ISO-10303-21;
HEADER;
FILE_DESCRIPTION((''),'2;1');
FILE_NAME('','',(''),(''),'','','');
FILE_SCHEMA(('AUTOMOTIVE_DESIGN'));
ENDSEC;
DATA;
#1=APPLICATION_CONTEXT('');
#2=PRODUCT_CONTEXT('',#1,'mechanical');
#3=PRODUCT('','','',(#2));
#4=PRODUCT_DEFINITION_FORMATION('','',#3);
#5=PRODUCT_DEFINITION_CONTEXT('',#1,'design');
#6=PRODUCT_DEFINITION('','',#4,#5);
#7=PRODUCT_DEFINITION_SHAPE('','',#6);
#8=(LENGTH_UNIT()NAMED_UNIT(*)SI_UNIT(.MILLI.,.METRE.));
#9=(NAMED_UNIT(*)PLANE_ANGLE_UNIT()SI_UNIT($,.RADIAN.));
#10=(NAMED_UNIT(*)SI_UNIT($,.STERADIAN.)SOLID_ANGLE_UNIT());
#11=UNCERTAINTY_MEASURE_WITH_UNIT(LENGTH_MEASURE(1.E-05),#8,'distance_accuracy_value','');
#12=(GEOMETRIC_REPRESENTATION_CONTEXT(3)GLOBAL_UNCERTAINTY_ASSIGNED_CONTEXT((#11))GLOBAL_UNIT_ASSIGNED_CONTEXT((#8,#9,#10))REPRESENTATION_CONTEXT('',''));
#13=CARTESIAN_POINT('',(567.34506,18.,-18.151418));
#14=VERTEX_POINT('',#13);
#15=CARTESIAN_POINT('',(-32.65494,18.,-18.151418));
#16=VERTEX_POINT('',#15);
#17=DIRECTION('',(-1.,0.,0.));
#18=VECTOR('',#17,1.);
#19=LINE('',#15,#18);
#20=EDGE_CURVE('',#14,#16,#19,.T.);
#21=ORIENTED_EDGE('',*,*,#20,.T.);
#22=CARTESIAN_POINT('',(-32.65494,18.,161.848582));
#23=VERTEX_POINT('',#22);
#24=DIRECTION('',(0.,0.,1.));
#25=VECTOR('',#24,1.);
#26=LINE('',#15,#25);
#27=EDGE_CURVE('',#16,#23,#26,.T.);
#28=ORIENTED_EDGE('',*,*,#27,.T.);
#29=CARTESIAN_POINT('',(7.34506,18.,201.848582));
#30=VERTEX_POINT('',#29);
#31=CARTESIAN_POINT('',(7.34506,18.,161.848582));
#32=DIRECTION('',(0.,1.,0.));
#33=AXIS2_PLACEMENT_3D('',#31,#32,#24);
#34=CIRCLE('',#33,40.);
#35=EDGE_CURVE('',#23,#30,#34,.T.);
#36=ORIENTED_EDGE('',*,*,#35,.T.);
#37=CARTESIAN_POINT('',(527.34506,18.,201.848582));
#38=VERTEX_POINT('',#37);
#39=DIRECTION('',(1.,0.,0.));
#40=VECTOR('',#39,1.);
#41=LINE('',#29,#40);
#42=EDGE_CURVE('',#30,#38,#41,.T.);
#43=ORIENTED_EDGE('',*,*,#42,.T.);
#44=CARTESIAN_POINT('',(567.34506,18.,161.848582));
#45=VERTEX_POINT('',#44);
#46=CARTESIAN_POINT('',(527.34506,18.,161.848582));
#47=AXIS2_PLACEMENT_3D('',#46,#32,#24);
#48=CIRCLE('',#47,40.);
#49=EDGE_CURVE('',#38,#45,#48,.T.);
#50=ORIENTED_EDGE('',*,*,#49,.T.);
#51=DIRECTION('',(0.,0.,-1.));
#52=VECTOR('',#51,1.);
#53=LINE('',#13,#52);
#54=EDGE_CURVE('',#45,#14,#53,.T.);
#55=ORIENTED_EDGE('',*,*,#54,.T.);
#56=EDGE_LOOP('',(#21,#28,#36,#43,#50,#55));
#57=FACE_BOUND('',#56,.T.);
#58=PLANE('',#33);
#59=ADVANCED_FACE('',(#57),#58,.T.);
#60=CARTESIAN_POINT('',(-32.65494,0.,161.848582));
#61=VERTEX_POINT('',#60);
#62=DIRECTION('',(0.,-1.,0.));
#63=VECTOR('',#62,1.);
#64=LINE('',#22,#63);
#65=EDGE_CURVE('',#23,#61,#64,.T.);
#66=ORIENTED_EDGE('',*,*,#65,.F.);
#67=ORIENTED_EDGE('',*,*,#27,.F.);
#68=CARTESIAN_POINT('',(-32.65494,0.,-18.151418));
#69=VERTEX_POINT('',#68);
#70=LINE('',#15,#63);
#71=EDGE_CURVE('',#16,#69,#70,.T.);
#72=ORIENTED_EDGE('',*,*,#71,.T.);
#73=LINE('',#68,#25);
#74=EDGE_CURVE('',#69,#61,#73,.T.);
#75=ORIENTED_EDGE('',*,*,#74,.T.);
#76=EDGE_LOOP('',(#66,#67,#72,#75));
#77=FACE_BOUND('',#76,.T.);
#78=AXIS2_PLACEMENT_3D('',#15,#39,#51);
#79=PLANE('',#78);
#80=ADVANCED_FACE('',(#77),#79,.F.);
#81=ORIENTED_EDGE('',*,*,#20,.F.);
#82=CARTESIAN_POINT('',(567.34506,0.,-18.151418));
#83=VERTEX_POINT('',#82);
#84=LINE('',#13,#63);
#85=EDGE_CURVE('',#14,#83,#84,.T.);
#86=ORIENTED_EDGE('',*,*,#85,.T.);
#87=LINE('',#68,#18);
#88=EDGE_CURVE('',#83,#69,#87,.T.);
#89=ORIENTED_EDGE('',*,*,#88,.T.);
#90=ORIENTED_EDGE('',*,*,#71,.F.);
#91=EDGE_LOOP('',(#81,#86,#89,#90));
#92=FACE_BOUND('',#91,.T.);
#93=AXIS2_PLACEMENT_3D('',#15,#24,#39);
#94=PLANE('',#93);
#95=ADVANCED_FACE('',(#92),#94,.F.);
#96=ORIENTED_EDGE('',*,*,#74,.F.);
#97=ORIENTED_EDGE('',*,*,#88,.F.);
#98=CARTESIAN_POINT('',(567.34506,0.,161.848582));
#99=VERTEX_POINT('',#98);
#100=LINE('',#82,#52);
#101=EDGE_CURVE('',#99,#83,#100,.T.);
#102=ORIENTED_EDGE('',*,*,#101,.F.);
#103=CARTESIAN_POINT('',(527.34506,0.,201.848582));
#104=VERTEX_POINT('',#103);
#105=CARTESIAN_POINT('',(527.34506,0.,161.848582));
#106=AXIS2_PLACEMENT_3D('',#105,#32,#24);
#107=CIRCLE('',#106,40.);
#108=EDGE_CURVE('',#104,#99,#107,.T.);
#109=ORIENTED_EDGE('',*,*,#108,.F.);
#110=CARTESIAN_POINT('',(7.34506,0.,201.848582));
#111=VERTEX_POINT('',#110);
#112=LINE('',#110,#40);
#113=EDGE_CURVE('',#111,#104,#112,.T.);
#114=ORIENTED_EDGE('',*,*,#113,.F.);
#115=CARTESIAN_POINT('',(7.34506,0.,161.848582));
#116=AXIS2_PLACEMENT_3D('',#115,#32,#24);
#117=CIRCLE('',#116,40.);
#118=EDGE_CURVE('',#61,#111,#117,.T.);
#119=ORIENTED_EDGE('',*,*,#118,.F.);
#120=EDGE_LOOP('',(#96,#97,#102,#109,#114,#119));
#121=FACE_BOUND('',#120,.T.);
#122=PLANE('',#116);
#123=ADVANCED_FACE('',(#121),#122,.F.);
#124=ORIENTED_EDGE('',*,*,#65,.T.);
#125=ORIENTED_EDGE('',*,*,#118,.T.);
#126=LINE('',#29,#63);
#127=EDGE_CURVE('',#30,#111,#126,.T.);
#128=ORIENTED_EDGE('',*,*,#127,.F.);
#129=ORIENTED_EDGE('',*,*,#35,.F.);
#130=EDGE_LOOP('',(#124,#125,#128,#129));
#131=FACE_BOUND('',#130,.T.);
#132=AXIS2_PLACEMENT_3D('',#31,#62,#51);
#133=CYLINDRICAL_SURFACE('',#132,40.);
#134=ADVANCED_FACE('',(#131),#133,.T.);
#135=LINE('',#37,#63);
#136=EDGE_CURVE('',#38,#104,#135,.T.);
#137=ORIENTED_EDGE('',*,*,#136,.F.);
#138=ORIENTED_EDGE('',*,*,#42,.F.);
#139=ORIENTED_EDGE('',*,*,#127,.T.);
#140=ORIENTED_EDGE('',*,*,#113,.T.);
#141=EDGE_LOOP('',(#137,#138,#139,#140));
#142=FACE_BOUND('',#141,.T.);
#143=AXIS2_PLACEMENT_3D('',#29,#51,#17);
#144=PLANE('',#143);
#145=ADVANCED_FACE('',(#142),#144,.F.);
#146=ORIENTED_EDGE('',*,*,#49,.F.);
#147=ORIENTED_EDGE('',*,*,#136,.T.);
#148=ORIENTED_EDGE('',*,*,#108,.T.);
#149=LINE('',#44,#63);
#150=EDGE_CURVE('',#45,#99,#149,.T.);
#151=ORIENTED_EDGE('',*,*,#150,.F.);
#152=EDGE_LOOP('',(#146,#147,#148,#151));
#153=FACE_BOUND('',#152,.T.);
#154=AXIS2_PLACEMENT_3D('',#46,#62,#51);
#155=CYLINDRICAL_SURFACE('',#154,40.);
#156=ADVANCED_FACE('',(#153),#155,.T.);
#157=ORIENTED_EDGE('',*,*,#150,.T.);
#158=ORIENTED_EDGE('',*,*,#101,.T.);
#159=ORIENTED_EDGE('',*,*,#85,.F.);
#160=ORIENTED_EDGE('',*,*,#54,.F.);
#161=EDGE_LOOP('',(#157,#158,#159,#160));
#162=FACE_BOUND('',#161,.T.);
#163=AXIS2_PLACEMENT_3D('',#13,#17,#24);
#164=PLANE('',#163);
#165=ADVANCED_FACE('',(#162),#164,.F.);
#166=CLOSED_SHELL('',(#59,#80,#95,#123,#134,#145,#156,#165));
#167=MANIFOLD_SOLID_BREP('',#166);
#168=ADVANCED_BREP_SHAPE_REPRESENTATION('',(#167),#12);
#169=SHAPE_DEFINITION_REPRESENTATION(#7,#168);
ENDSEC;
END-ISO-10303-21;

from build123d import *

# Parameters (mm, degrees)
EXTRUDE_1_DEPTH = 18


with BuildPart() as part:
    # Эскиз1 → Бобышка-Вытянуть1 (new body)
    with BuildSketch(Plane(origin=(0, 0, 0), x_dir=(1, 0, 0), z_dir=(0, 1, 0))):
        with BuildLine():
            Line((-32.654939879, 18.151418416), (567.345060121, 18.151418416))
            Line((567.345060121, 18.151418416), (567.345060121, -161.848581584))
            ThreePointArc((567.345060121, -161.848581584), (555.629331369, -190.132852832), (527.345060121, -201.848581584))
            Line((527.345060121, -201.848581584), (7.345060121, -201.848581584))
            ThreePointArc((7.345060121, -201.848581584), (-20.939211126, -190.132852832), (-32.654939879, -161.848581584))
            Line((-32.654939879, -161.848581584), (-32.654939879, 18.151418416))
        make_face()
    extrude(amount=EXTRUDE_1_DEPTH)


solid = part.part
